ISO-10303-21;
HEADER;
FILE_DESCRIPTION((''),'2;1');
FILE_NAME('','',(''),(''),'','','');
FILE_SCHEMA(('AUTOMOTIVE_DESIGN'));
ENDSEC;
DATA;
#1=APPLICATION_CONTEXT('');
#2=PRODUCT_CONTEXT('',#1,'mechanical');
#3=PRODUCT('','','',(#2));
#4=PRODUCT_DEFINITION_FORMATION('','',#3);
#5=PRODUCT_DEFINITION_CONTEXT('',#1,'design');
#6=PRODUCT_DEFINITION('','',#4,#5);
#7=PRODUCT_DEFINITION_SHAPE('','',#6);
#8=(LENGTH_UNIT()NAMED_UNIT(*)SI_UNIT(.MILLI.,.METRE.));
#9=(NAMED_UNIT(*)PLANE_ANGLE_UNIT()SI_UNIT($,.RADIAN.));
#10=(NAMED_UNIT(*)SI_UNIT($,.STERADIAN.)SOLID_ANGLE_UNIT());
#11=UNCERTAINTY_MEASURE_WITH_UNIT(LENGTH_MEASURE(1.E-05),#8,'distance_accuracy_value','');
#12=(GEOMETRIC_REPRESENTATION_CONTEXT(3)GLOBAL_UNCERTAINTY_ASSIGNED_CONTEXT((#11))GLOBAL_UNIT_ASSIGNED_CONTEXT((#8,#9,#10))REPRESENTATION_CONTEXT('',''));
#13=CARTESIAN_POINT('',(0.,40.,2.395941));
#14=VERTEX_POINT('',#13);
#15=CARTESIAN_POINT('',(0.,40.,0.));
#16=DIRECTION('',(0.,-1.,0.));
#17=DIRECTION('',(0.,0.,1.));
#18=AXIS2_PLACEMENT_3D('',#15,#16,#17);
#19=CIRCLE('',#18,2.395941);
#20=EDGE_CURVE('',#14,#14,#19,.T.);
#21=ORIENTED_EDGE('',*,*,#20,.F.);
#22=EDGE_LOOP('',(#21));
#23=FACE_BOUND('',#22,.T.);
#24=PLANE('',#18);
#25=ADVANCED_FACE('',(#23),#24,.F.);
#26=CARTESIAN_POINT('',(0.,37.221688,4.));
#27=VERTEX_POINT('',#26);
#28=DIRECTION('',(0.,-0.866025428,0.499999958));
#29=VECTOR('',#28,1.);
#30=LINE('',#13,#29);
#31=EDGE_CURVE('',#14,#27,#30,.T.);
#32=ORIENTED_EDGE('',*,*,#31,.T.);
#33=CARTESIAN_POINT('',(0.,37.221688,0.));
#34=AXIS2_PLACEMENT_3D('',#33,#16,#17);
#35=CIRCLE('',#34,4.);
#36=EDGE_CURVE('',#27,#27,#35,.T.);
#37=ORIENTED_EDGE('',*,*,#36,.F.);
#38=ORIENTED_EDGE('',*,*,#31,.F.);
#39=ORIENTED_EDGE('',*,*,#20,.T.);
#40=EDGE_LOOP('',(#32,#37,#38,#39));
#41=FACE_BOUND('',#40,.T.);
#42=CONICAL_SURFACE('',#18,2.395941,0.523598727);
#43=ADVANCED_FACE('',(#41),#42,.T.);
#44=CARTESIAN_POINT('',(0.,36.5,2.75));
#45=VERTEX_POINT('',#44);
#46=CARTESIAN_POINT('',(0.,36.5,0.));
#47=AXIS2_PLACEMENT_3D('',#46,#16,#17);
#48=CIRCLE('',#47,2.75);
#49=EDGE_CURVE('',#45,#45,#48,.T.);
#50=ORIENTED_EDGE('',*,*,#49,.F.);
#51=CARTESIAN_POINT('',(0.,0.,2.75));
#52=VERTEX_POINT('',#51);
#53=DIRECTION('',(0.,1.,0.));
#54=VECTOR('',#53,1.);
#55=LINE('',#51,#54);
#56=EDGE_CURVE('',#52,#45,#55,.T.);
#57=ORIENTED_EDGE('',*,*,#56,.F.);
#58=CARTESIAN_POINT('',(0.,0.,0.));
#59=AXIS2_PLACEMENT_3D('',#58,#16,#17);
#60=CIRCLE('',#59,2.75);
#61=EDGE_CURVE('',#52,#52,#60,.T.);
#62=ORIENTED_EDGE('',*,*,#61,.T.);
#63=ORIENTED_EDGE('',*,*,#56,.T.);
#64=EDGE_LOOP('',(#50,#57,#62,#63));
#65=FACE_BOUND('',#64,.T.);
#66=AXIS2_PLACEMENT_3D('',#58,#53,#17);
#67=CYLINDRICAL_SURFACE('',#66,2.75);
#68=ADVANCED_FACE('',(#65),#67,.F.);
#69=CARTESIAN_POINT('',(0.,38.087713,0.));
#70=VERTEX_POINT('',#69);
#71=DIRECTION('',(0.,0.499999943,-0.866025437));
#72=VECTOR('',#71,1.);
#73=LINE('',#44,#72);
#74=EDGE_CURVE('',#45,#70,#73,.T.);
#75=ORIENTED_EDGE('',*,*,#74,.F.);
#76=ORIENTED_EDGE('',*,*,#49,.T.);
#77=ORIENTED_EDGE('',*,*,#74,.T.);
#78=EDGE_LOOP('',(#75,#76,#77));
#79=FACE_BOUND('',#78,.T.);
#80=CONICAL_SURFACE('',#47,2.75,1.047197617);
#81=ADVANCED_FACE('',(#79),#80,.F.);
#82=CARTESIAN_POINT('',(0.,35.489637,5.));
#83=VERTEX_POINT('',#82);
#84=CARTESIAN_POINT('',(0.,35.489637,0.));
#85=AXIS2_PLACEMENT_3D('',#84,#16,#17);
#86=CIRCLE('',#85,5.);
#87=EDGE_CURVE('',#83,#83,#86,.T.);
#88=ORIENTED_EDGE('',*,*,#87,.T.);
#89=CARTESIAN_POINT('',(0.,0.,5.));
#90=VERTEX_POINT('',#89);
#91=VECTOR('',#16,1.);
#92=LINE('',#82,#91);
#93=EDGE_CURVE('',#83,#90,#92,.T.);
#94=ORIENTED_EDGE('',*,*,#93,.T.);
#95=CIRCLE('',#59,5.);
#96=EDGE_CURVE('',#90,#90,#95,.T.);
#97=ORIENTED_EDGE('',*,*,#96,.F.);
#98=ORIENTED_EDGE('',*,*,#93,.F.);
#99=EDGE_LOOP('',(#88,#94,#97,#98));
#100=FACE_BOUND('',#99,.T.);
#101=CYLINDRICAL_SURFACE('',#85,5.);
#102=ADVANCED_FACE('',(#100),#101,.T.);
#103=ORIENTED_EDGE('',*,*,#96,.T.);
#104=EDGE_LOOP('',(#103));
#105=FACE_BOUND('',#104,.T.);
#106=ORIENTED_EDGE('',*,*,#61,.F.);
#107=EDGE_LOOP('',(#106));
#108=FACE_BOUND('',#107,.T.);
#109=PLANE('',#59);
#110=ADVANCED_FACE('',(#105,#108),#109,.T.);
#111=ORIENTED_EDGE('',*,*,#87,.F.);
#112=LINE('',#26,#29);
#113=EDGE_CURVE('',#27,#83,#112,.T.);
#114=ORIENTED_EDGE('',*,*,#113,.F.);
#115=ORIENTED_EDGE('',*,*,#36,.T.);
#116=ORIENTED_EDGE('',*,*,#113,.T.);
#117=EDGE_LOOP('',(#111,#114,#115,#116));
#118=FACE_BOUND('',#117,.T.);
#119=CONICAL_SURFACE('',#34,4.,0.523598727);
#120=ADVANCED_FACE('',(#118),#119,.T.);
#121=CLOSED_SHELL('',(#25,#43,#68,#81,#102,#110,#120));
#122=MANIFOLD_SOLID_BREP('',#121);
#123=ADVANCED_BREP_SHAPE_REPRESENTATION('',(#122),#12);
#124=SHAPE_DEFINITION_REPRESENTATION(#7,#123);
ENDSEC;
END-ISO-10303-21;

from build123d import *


with BuildPart() as f1:
    # F0 (on Right) → F1 (revolve)
    with BuildSketch(Plane.YZ):
        Polygon((35.489637, 5), (0, 5), (0, 2.75), (36.5, 2.75), (37.221688, 4), align=None)
        Polygon((40, 2.395941), (37.221688, 4), (36.5, 2.75), (38.087713, 0), (40, 0), align=None)
    revolve(axis=Axis((0, 39.043857, 0), (0, -1, 0)))


solid = f1.part
